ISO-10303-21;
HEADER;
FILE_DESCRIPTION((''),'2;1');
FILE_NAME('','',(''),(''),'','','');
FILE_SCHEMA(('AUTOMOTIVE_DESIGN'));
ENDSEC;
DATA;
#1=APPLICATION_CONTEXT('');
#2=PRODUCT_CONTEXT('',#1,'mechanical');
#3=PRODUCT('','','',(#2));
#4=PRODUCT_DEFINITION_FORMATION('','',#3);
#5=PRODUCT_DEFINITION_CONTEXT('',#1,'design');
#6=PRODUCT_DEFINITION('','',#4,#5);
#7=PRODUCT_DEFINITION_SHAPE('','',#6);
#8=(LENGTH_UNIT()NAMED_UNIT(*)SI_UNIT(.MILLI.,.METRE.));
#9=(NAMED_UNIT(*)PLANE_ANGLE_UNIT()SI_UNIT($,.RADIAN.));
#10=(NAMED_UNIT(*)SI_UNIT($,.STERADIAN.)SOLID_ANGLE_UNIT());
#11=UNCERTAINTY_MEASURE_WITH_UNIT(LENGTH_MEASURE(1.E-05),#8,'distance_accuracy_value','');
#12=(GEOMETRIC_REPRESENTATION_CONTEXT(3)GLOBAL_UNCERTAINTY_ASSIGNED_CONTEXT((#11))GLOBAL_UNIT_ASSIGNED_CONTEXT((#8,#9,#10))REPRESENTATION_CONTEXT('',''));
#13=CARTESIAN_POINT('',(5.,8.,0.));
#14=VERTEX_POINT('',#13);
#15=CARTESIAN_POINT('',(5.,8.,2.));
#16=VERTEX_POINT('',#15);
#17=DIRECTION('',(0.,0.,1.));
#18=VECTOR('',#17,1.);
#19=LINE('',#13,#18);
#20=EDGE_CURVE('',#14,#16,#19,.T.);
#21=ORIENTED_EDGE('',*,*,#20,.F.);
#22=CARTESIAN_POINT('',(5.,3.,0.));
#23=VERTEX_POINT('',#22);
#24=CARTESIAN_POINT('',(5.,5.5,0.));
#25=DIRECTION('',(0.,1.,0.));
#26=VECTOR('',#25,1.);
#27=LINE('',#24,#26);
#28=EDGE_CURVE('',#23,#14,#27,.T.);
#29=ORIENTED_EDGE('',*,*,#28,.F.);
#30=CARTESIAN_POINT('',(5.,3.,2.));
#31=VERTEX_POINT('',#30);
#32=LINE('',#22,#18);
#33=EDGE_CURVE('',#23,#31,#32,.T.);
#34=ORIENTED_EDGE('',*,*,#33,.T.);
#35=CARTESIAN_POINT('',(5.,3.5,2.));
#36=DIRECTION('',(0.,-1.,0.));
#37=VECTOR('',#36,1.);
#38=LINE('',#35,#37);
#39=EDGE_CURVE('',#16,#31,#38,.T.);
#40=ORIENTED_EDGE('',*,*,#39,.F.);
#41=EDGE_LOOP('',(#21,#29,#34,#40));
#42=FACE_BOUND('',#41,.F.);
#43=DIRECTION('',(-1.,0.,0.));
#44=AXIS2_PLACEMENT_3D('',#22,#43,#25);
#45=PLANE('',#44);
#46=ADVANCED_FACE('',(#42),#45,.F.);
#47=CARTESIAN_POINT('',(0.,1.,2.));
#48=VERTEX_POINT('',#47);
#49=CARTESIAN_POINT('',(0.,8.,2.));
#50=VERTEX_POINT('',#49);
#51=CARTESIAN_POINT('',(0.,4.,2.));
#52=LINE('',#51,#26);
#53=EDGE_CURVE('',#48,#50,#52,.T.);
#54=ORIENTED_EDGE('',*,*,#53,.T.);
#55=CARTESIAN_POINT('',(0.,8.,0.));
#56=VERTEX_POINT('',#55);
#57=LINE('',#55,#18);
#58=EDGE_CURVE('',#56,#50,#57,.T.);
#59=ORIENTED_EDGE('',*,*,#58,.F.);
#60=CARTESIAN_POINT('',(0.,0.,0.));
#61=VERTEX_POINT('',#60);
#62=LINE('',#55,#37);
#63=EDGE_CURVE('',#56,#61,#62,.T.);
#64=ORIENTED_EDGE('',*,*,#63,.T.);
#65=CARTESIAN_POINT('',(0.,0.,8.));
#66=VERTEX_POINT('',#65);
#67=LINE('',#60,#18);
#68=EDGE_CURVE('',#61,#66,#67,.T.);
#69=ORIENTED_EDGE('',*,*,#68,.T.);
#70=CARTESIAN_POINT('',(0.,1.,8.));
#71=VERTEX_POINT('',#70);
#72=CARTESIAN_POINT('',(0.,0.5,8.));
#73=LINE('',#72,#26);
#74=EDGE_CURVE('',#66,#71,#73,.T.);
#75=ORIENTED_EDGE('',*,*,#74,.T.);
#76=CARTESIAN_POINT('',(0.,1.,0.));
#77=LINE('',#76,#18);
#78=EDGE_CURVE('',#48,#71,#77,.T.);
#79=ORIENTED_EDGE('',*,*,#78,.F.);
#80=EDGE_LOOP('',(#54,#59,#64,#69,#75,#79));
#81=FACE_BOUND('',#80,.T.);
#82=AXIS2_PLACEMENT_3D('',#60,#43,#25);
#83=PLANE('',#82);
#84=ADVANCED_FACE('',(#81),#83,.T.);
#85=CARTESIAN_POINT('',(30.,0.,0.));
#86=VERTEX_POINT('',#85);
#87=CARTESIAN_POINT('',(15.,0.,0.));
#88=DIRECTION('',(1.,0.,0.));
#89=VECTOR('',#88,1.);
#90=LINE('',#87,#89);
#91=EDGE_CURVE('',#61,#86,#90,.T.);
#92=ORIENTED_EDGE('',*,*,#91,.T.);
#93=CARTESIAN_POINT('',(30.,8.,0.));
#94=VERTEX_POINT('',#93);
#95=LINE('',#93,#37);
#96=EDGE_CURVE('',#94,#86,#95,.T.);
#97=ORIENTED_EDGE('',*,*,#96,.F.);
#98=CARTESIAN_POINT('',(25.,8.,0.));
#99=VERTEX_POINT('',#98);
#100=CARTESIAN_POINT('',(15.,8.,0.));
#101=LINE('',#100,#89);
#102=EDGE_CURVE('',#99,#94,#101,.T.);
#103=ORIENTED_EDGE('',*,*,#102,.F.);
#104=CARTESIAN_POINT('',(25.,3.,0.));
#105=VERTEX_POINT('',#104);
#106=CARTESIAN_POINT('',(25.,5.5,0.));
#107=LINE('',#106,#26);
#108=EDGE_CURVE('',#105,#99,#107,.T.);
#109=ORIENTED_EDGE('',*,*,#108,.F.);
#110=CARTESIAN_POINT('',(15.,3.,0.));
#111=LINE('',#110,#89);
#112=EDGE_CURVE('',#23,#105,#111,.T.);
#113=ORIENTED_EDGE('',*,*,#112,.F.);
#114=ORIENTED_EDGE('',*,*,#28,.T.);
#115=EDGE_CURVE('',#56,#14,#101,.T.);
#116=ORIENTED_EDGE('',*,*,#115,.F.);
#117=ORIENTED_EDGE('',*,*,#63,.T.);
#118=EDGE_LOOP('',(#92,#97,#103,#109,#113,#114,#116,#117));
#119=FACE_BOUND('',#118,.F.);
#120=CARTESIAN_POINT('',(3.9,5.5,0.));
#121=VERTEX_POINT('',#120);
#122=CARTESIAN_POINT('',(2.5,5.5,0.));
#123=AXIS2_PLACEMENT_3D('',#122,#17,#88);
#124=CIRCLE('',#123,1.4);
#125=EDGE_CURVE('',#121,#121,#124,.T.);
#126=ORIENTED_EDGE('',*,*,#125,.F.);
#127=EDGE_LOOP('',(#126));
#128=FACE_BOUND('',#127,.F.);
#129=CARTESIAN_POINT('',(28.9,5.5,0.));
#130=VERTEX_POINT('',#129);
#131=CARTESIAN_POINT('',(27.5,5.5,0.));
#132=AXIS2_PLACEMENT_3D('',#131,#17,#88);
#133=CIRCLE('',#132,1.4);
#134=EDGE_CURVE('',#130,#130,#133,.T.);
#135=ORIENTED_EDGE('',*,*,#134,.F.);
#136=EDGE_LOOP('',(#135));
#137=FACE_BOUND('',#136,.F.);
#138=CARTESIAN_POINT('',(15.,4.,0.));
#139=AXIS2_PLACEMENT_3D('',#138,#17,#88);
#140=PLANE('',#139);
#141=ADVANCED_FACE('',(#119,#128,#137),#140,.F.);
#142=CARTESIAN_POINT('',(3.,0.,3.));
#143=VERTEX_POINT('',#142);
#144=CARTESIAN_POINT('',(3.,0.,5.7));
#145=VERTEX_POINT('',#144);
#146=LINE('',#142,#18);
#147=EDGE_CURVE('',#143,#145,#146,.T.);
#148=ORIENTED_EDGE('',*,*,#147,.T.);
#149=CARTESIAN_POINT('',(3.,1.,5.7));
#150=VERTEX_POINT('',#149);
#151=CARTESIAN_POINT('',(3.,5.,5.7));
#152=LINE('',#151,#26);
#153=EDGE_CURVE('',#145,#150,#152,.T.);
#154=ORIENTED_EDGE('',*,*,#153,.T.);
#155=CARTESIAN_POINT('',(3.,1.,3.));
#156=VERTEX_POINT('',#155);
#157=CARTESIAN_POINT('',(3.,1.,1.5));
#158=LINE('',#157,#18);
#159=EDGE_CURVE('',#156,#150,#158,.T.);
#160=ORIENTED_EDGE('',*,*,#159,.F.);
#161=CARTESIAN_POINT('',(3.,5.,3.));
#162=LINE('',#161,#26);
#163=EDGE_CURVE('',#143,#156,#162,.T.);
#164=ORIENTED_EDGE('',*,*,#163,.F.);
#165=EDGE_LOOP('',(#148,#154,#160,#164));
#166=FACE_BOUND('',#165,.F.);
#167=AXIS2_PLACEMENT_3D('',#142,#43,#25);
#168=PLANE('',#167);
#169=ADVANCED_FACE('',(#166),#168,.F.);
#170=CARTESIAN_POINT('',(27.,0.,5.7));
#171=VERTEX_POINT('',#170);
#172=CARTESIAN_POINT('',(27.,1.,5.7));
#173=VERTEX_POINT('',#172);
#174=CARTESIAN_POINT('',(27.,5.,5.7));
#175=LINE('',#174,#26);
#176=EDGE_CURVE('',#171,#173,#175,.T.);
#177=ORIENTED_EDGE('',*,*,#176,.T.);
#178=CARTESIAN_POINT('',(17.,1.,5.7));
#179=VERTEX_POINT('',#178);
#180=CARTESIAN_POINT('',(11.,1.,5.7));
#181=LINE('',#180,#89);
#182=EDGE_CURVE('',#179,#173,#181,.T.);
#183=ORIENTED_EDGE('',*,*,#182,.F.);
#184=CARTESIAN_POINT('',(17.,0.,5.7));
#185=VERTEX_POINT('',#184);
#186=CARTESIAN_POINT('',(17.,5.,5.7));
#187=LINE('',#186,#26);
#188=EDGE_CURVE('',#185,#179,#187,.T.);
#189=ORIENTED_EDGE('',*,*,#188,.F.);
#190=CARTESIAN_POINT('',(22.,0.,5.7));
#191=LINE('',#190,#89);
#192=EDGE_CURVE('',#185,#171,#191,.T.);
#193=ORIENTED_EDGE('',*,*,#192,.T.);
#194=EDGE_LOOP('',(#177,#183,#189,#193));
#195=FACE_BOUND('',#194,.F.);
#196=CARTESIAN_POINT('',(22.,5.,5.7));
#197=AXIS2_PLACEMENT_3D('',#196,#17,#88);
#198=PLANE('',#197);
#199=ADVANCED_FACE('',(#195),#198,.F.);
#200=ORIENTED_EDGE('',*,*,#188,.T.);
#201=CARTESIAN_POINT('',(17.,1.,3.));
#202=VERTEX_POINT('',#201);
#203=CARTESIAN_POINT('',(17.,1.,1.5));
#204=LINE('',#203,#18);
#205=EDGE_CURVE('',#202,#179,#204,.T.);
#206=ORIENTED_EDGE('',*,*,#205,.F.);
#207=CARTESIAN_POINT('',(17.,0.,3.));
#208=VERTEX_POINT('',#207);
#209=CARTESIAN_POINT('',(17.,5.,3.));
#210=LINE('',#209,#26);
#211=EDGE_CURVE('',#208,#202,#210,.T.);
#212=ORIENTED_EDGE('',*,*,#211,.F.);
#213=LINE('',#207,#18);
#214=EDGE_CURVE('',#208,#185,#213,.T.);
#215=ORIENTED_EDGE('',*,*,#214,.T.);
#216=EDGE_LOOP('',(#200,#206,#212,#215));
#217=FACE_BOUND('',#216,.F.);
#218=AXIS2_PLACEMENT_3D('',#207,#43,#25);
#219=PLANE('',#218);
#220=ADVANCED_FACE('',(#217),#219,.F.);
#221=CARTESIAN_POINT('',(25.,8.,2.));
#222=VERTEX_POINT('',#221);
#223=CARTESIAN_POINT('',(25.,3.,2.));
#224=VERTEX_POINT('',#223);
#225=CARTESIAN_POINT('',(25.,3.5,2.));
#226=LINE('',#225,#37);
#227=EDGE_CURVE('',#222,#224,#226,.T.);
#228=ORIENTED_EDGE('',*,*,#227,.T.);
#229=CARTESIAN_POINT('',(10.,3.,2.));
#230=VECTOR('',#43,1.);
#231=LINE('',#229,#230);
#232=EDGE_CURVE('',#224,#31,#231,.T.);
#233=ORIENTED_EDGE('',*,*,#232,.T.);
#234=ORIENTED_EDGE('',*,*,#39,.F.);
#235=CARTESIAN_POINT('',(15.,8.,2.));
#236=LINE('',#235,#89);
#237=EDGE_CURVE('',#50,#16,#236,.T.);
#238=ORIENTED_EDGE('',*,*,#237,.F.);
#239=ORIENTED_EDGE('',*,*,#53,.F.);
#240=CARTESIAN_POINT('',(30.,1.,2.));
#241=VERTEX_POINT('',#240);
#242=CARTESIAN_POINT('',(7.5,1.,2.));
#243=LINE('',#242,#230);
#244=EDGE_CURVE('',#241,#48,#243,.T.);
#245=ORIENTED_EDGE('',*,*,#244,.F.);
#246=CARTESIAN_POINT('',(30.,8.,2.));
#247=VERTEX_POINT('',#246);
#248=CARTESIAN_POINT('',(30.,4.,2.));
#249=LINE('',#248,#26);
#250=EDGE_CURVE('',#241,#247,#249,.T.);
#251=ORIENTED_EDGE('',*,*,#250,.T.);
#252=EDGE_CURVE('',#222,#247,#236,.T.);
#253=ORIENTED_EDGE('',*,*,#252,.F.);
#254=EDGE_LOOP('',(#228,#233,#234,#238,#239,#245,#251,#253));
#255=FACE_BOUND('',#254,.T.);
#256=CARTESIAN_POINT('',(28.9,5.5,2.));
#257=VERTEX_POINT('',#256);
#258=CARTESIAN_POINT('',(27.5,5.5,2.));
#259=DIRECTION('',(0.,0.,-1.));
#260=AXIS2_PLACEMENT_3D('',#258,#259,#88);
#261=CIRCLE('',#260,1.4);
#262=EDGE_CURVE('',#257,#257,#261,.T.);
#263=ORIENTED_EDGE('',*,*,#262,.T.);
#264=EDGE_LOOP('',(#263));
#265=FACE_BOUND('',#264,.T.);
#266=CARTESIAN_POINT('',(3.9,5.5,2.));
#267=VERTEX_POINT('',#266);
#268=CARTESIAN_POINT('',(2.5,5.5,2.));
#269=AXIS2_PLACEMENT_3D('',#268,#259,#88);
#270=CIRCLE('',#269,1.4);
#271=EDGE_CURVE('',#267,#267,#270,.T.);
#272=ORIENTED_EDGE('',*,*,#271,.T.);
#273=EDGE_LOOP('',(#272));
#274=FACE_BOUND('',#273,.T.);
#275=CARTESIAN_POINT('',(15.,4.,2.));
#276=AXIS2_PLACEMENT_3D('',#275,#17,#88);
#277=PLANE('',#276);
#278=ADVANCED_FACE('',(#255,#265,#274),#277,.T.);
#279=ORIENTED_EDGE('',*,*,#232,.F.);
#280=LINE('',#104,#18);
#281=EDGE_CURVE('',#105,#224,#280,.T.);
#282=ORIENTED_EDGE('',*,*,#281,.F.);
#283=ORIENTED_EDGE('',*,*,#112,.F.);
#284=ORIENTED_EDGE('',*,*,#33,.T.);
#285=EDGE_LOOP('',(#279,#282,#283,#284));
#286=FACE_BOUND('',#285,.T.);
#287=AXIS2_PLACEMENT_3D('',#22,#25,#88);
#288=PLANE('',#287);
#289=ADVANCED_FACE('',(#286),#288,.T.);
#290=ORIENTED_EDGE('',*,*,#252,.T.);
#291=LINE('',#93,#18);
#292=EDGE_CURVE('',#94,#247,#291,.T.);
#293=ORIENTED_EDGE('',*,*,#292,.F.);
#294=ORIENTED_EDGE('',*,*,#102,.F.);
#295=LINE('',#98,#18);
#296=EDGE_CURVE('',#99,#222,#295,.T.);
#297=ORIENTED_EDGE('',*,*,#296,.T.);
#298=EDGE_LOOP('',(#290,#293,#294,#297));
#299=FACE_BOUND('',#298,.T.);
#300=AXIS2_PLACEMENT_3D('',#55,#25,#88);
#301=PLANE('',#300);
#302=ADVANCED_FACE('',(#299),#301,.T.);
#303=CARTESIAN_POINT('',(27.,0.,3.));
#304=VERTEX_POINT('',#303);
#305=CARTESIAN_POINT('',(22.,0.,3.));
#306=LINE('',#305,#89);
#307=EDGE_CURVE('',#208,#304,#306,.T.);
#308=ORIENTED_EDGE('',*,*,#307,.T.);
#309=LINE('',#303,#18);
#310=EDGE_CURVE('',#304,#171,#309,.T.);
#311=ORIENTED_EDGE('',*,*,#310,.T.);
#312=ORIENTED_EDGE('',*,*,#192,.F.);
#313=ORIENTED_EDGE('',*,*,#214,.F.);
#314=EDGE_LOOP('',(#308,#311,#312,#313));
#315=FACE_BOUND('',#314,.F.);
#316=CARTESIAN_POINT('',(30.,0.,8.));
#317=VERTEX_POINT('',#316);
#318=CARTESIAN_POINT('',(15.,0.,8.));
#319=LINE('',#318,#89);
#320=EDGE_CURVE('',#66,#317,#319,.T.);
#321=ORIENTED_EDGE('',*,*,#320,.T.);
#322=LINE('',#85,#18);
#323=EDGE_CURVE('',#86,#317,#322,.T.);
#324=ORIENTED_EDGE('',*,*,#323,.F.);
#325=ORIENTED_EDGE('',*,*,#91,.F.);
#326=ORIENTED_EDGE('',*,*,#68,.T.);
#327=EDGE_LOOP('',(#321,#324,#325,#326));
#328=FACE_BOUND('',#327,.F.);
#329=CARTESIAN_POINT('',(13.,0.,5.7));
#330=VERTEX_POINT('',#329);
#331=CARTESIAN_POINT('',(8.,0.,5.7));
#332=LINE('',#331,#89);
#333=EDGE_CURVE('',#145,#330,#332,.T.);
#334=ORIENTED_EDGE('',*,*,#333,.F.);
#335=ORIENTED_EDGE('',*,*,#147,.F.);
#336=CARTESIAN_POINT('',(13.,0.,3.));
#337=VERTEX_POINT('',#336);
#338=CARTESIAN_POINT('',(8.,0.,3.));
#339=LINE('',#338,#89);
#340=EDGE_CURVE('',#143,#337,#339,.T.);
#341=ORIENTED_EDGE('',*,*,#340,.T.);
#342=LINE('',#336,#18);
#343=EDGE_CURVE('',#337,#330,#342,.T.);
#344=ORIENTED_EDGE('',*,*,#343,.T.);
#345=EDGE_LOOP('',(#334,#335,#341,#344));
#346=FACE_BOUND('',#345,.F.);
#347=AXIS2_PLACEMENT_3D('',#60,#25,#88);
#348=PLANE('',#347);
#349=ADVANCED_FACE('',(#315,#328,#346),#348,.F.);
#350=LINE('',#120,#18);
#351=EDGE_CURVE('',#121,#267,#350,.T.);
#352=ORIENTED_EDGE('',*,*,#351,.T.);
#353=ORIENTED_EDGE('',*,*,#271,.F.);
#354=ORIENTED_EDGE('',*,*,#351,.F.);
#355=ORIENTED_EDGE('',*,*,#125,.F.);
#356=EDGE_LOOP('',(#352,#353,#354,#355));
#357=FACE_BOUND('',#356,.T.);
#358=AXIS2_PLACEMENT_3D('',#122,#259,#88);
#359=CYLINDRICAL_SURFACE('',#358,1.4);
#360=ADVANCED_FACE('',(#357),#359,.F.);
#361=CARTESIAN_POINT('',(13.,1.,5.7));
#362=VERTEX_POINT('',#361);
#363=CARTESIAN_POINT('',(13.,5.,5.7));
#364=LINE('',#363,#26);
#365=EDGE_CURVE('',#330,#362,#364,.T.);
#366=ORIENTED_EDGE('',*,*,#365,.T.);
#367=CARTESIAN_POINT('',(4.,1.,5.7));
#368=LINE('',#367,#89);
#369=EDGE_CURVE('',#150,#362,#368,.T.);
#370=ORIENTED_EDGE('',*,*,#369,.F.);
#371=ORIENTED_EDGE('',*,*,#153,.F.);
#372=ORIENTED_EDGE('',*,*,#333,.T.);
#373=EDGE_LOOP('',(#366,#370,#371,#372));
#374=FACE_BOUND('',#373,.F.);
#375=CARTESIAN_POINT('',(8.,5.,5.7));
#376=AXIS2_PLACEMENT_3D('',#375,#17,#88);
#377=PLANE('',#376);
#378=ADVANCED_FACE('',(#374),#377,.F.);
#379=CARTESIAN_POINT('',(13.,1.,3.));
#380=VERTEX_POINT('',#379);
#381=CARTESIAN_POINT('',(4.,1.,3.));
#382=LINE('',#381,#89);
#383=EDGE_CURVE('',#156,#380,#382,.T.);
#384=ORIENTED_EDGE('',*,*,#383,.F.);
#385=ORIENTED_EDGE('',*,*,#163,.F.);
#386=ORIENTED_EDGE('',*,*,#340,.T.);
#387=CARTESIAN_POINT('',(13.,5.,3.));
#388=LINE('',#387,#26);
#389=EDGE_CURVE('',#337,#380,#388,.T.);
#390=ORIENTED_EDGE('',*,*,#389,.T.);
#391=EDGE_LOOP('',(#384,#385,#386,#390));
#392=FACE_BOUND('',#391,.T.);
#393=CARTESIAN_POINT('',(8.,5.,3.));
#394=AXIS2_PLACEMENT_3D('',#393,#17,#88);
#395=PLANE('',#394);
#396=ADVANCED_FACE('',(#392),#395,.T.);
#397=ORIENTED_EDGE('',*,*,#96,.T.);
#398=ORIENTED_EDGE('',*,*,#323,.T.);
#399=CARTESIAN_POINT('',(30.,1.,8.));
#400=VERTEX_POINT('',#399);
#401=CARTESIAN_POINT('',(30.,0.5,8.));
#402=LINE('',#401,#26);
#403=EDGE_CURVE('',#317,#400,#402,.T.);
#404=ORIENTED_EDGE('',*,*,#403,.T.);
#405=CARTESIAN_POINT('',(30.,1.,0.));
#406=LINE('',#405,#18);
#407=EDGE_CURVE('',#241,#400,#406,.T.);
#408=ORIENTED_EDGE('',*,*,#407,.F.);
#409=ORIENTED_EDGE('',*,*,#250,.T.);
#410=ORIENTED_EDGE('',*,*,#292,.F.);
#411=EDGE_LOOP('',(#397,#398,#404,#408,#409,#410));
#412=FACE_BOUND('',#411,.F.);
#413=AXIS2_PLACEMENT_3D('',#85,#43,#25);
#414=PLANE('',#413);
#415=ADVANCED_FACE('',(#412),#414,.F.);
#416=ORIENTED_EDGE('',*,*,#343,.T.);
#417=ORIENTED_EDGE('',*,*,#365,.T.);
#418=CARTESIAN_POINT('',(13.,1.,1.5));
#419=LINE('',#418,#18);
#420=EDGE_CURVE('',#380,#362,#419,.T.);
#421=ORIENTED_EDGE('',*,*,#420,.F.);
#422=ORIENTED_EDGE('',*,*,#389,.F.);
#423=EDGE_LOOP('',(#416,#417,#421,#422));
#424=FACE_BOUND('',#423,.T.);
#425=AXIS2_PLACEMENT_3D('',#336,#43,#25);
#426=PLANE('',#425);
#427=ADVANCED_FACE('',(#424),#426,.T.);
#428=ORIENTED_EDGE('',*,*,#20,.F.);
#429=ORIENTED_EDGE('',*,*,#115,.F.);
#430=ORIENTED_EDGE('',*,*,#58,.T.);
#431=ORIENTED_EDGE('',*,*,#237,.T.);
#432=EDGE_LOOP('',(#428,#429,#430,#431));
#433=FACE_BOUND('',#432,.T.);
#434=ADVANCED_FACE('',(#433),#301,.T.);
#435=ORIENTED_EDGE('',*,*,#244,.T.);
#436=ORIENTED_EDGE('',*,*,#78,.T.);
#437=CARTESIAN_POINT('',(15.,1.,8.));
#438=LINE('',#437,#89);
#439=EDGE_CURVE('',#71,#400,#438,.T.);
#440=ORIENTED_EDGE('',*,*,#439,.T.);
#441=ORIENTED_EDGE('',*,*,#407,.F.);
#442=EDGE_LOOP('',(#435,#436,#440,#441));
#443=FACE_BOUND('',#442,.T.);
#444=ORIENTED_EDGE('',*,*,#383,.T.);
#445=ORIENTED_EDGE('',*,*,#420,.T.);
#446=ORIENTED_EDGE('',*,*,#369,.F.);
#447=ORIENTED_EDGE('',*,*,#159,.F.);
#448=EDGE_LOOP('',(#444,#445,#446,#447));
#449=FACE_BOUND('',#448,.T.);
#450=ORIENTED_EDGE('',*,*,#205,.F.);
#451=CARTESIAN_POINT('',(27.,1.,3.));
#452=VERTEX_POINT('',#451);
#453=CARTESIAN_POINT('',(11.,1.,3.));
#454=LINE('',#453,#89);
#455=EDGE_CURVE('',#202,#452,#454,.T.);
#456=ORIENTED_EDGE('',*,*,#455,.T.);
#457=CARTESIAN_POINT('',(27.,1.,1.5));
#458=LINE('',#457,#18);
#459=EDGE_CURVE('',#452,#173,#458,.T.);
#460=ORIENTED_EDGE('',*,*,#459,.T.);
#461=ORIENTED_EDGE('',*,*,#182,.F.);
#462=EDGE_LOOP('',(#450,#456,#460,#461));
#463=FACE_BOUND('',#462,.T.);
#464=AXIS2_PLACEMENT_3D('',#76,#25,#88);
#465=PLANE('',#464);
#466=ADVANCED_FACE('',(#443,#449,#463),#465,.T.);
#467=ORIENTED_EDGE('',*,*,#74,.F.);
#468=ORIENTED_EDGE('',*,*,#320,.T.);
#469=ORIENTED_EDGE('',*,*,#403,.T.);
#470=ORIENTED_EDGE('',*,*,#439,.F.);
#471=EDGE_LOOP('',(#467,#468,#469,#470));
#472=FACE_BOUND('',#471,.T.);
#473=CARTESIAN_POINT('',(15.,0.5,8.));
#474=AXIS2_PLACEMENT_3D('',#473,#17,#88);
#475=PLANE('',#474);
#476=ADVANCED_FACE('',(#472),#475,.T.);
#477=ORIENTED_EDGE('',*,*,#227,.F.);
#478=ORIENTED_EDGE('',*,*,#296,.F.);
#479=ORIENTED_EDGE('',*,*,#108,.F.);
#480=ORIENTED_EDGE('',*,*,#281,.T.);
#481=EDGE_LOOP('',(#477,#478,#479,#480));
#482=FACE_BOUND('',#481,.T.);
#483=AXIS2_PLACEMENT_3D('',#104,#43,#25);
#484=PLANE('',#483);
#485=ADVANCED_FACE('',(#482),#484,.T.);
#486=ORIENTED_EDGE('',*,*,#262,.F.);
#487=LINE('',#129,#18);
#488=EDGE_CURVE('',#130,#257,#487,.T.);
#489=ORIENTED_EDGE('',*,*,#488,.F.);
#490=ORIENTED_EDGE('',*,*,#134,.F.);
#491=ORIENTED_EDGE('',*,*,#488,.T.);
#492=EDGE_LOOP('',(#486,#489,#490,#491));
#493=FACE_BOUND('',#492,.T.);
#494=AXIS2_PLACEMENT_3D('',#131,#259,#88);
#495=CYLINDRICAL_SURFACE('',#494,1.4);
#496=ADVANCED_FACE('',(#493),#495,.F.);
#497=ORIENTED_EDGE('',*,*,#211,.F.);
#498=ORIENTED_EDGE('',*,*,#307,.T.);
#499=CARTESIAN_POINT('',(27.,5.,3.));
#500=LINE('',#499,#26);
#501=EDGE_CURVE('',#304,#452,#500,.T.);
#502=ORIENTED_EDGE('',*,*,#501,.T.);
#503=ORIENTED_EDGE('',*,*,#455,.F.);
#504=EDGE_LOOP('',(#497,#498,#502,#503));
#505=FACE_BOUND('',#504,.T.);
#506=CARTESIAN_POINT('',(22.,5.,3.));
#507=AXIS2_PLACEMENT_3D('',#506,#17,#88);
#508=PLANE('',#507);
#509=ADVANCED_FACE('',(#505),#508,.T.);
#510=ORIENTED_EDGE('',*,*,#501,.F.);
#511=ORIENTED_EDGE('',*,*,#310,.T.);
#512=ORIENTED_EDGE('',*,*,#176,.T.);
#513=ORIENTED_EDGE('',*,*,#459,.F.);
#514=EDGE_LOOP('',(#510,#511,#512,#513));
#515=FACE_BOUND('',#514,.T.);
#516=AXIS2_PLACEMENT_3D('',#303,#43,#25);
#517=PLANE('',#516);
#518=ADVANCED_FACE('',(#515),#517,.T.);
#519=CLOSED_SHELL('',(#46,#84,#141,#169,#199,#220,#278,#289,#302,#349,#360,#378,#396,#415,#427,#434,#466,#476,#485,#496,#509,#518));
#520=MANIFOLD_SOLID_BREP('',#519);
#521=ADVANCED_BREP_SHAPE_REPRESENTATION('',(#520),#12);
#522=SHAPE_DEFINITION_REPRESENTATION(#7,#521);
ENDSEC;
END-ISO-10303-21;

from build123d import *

# Parameters (mm, degrees)
BOX003_W          = 10
BOX003_H          = 10
BOX003_DEPTH      = 2.7
BOX004_W          = 10
BOX004_H          = 10
BOX004_DEPTH      = 2.7
CYLINDER001_R     = 1.4
CYLINDER001_DEPTH = 10
CYLINDER_R        = 1.4
CYLINDER_DEPTH    = 10
BOX_W             = 30
BOX_H             = 1
BOX_DEPTH         = 8
BOX002_W          = 20
BOX002_H          = 5
BOX002_DEPTH      = 10
BOX001_W          = 30
BOX001_H          = 8
BOX001_DEPTH      = 2


with BuildPart() as w_rfel003:
    # Box003 → Box003 (new body)
    with BuildSketch(Plane(origin=(17, 0, 3), x_dir=(1, 0, 0), z_dir=(0, 0, 1))):
        with Locations((5, 5)):
            Rectangle(BOX003_W, BOX003_H)
    extrude(amount=BOX003_DEPTH)


with BuildPart() as w_rfel004:
    # Box004 → Box004 (new body)
    with BuildSketch(Plane(origin=(3, 0, 3), x_dir=(1, 0, 0), z_dir=(0, 0, 1))):
        with Locations((5, 5)):
            Rectangle(BOX004_W, BOX004_H)
    extrude(amount=BOX004_DEPTH)


with BuildPart() as zylinder001:
    # Cylinder001 → Cylinder001 (new body)
    with BuildSketch(Plane(origin=(27.5, 5.5, 0), x_dir=(1, 0, 0), z_dir=(0, 0, 1))):
        Circle(CYLINDER001_R)
    extrude(amount=CYLINDER001_DEPTH)


with BuildPart() as zylinder:
    # Cylinder → Cylinder (new body)
    with BuildSketch(Plane(origin=(2.5, 5.5, 0), x_dir=(1, 0, 0), z_dir=(0, 0, 1))):
        Circle(CYLINDER_R)
    extrude(amount=CYLINDER_DEPTH)


with BuildPart() as w_rfel:
    # Box → Box (new body)
    with BuildSketch(Plane.XY):
        with Locations((15, 0.5)):
            Rectangle(BOX_W, BOX_H)
    extrude(amount=BOX_DEPTH)


with BuildPart() as w_rfel002:
    # Box002 → Box002 (new body)
    with BuildSketch(Plane(origin=(5, 3, 0), x_dir=(1, 0, 0), z_dir=(0, 0, 1))):
        with Locations((10, 2.5)):
            Rectangle(BOX002_W, BOX002_H)
    extrude(amount=BOX002_DEPTH)


with BuildPart() as cut004:
    # Box001 → Box001 (new body)
    with BuildSketch(Plane.XY):
        with Locations((15, 4)):
            Rectangle(BOX001_W, BOX001_H)
    extrude(amount=BOX001_DEPTH)

    # Cut: cut Würfel002
    add(w_rfel002.part, mode=Mode.SUBTRACT)

    # Fusion: union Würfel
    add(w_rfel.part)

    # Cut001: cut Zylinder
    add(zylinder.part, mode=Mode.SUBTRACT)

    # Cut002: cut Zylinder001
    add(zylinder001.part, mode=Mode.SUBTRACT)

    # Cut003: cut Würfel004
    add(w_rfel004.part, mode=Mode.SUBTRACT)

    # Cut004: cut Würfel003
    add(w_rfel003.part, mode=Mode.SUBTRACT)


solid = cut004.part
